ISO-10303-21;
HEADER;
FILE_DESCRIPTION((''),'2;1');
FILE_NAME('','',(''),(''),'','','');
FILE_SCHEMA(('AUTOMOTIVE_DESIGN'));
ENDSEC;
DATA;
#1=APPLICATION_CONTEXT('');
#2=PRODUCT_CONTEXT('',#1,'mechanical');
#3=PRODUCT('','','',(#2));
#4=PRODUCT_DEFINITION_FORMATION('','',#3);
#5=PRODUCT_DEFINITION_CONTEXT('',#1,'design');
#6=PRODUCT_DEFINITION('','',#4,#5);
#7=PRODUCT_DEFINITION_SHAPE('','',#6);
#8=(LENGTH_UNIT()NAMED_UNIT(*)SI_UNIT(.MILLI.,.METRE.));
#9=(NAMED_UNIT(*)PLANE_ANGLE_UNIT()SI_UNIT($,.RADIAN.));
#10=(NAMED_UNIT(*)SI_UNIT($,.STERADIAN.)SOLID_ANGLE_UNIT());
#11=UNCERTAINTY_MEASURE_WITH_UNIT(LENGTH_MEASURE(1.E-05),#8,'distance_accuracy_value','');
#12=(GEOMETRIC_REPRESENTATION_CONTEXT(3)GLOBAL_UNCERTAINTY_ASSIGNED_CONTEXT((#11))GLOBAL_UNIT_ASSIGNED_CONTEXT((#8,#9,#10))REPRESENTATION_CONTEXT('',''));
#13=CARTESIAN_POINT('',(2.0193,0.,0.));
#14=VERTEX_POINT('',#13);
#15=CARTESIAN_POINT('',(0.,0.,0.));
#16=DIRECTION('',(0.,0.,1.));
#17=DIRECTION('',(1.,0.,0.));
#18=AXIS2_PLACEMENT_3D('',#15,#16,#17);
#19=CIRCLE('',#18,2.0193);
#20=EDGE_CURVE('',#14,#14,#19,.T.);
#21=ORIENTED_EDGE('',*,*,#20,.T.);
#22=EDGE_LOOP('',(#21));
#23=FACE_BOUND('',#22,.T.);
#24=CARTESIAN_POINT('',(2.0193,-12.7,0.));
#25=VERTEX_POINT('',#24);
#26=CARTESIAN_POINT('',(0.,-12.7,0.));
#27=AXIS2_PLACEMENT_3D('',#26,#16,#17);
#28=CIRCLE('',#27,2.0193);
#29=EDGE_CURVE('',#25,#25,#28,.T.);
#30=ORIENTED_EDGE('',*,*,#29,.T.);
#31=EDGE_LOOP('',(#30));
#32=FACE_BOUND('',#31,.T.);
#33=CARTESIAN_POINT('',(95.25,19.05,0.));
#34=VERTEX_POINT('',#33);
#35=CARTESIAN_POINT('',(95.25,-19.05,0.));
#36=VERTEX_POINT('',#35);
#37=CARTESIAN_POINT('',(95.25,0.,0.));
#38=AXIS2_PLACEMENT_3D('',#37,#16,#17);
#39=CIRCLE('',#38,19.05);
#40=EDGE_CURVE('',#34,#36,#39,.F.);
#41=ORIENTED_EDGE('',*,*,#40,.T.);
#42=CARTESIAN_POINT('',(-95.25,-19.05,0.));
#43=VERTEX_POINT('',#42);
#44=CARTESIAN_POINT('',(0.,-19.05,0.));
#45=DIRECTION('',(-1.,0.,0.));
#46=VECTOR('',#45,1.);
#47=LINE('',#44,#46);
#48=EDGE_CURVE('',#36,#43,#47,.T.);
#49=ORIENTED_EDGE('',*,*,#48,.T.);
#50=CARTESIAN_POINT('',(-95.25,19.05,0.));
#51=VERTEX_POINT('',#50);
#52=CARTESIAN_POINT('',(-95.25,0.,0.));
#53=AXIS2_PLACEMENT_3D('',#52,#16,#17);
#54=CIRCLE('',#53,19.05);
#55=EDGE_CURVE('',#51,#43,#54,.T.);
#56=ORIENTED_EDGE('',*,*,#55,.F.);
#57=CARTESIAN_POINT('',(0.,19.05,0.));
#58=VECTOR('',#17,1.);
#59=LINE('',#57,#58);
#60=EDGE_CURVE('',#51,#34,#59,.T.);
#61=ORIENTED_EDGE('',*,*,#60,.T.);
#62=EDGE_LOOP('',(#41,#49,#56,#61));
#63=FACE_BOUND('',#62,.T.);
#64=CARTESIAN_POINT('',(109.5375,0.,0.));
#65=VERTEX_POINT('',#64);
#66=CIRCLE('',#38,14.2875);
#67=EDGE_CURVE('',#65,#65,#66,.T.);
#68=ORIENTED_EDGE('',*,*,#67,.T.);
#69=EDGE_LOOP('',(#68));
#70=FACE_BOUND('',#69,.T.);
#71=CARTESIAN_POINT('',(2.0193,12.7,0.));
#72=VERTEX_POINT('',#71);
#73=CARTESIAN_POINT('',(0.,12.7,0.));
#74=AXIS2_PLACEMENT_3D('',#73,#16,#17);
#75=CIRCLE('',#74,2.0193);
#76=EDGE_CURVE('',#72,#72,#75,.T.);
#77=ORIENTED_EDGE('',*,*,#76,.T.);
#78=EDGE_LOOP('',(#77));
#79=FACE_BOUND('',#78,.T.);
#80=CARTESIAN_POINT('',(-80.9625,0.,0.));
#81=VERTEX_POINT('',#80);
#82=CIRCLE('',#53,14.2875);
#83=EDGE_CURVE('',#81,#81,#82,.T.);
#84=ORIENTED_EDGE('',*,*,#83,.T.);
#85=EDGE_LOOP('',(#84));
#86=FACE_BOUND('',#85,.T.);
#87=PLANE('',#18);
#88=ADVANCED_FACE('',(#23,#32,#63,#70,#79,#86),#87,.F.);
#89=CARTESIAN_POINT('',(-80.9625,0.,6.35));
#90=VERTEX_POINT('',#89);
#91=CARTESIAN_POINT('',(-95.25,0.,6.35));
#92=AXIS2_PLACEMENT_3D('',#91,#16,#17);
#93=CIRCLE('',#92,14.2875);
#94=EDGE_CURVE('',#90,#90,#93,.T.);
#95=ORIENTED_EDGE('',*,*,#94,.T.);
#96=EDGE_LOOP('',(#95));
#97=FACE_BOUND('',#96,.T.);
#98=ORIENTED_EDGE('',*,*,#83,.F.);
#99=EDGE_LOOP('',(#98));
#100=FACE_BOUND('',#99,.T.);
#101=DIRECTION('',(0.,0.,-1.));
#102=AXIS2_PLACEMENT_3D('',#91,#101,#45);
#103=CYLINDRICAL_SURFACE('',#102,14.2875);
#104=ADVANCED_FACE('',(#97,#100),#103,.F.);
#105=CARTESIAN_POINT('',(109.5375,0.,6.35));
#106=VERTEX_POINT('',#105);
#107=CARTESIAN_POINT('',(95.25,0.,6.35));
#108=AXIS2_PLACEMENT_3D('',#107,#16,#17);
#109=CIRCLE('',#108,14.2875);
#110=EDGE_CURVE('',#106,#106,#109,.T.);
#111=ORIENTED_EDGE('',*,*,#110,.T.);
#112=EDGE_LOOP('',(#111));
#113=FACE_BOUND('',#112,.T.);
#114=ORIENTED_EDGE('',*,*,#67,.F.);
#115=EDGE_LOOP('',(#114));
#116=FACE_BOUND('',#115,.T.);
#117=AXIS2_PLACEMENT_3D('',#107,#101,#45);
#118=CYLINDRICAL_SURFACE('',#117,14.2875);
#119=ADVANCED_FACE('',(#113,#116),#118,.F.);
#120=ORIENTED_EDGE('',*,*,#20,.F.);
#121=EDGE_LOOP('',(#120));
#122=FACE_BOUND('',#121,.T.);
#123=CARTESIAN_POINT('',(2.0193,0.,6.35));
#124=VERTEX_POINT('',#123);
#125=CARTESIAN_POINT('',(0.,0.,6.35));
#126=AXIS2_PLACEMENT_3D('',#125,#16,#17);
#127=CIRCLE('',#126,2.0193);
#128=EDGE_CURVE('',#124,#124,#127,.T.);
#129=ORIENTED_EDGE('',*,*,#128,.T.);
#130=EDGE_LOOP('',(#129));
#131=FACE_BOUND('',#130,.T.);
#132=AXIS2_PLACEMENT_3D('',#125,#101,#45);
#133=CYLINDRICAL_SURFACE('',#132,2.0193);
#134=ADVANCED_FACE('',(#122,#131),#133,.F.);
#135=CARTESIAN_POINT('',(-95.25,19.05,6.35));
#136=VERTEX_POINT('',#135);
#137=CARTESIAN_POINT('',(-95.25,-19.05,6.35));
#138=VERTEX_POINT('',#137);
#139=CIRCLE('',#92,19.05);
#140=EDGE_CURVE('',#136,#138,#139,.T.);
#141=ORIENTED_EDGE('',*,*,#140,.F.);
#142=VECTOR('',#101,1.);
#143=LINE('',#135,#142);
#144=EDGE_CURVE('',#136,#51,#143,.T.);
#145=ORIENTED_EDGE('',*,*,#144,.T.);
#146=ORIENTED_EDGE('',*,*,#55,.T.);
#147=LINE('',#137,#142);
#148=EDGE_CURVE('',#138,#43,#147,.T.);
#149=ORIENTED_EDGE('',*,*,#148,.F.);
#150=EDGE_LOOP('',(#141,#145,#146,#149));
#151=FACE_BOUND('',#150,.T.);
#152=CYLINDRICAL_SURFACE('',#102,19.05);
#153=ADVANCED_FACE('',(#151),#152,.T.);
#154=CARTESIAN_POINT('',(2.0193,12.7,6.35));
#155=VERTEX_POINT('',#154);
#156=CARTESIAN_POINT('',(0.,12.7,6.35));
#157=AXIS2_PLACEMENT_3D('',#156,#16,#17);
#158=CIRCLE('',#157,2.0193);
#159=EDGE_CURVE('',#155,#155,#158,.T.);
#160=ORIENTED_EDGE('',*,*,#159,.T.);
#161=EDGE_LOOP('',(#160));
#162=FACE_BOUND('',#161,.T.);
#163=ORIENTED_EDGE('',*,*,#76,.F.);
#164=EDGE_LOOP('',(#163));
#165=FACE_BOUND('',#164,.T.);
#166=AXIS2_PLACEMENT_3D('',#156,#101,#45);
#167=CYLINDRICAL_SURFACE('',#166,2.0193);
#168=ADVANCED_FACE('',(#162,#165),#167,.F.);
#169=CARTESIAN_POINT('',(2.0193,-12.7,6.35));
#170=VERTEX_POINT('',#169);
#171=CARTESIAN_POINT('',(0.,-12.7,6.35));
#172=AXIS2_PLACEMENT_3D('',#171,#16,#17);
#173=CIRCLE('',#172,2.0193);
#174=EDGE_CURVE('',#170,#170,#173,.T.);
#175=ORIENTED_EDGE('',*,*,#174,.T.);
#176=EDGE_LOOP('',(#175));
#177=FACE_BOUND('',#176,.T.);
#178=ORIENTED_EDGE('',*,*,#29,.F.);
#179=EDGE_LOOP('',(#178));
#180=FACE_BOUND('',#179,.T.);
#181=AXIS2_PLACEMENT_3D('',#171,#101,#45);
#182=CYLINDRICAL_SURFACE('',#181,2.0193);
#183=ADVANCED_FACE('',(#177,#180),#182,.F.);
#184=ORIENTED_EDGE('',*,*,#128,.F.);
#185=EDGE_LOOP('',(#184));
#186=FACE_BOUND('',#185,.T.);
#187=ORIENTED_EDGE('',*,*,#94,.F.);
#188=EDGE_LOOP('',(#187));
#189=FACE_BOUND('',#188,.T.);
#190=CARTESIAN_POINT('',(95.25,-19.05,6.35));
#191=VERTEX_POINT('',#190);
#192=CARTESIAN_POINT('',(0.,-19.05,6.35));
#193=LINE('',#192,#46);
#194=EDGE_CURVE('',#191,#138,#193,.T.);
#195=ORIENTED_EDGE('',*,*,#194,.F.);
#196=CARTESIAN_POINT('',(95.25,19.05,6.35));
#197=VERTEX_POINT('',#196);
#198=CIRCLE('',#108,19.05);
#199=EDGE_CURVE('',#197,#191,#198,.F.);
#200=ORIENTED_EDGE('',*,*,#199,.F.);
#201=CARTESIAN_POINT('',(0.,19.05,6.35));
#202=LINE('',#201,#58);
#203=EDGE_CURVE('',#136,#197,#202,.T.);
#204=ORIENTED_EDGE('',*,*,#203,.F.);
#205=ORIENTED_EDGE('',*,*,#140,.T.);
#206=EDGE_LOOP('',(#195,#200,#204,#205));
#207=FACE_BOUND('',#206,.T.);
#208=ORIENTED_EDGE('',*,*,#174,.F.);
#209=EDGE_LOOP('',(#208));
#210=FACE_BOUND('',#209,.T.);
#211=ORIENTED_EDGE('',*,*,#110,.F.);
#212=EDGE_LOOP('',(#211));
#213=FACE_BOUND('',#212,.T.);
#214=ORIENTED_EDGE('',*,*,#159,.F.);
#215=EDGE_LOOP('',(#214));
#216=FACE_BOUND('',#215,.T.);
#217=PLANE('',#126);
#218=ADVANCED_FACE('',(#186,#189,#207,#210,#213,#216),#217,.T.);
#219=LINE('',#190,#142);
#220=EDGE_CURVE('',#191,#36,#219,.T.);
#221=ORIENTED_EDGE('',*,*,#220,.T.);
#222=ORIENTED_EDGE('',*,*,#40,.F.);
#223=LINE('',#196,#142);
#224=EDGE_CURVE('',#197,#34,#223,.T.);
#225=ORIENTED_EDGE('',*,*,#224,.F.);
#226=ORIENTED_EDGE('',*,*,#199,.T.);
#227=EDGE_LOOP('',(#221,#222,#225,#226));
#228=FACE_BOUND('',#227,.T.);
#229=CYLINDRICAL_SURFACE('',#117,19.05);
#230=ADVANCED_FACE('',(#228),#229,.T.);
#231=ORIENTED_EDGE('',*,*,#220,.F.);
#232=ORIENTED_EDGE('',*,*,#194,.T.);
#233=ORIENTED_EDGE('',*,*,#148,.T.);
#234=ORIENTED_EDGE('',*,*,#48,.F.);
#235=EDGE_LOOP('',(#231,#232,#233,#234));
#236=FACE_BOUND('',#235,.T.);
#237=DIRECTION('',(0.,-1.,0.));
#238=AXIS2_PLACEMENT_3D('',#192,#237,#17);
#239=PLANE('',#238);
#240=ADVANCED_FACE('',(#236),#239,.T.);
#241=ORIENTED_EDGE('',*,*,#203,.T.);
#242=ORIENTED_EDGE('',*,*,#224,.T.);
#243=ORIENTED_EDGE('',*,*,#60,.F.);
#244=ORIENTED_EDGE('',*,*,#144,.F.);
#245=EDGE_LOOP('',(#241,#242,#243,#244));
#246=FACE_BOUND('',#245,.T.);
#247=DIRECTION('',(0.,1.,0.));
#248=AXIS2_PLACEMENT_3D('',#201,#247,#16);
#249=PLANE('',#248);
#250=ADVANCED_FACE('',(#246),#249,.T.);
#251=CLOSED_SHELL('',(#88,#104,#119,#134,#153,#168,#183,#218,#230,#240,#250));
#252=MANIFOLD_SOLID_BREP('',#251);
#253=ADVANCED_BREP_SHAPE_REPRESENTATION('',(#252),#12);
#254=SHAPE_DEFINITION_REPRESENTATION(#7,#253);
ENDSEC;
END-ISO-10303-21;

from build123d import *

# Parameters (mm, degrees)
SKETCH1_R           = 14.2875
SKETCH1_R_2         = 2.0193
BOSS_EXTRUDE1_DEPTH = 6.35


with BuildPart() as part:
    # Sketch1 → Boss-Extrude1 (new body)
    with BuildSketch(Plane.XY):
        with BuildLine():
            Line((-95.25, 19.05), (95.25, 19.05))
            ThreePointArc((95.25, 19.05), (114.3, 0), (95.25, -19.05))
            Line((95.25, -19.05), (-95.25, -19.05))
            ThreePointArc((-95.25, -19.05), (-114.3, 0), (-95.25, 19.05))
        make_face()
        with Locations((-95.25, 0)):
            Circle(SKETCH1_R, mode=Mode.SUBTRACT)
        with Locations((95.25, 0)):
            Circle(SKETCH1_R, mode=Mode.SUBTRACT)
        with Locations((0, 12.7)):
            Circle(SKETCH1_R_2, mode=Mode.SUBTRACT)
        Circle(SKETCH1_R_2, mode=Mode.SUBTRACT)
        with Locations((0, -12.7)):
            Circle(SKETCH1_R_2, mode=Mode.SUBTRACT)
    extrude(amount=BOSS_EXTRUDE1_DEPTH)


solid = part.part
